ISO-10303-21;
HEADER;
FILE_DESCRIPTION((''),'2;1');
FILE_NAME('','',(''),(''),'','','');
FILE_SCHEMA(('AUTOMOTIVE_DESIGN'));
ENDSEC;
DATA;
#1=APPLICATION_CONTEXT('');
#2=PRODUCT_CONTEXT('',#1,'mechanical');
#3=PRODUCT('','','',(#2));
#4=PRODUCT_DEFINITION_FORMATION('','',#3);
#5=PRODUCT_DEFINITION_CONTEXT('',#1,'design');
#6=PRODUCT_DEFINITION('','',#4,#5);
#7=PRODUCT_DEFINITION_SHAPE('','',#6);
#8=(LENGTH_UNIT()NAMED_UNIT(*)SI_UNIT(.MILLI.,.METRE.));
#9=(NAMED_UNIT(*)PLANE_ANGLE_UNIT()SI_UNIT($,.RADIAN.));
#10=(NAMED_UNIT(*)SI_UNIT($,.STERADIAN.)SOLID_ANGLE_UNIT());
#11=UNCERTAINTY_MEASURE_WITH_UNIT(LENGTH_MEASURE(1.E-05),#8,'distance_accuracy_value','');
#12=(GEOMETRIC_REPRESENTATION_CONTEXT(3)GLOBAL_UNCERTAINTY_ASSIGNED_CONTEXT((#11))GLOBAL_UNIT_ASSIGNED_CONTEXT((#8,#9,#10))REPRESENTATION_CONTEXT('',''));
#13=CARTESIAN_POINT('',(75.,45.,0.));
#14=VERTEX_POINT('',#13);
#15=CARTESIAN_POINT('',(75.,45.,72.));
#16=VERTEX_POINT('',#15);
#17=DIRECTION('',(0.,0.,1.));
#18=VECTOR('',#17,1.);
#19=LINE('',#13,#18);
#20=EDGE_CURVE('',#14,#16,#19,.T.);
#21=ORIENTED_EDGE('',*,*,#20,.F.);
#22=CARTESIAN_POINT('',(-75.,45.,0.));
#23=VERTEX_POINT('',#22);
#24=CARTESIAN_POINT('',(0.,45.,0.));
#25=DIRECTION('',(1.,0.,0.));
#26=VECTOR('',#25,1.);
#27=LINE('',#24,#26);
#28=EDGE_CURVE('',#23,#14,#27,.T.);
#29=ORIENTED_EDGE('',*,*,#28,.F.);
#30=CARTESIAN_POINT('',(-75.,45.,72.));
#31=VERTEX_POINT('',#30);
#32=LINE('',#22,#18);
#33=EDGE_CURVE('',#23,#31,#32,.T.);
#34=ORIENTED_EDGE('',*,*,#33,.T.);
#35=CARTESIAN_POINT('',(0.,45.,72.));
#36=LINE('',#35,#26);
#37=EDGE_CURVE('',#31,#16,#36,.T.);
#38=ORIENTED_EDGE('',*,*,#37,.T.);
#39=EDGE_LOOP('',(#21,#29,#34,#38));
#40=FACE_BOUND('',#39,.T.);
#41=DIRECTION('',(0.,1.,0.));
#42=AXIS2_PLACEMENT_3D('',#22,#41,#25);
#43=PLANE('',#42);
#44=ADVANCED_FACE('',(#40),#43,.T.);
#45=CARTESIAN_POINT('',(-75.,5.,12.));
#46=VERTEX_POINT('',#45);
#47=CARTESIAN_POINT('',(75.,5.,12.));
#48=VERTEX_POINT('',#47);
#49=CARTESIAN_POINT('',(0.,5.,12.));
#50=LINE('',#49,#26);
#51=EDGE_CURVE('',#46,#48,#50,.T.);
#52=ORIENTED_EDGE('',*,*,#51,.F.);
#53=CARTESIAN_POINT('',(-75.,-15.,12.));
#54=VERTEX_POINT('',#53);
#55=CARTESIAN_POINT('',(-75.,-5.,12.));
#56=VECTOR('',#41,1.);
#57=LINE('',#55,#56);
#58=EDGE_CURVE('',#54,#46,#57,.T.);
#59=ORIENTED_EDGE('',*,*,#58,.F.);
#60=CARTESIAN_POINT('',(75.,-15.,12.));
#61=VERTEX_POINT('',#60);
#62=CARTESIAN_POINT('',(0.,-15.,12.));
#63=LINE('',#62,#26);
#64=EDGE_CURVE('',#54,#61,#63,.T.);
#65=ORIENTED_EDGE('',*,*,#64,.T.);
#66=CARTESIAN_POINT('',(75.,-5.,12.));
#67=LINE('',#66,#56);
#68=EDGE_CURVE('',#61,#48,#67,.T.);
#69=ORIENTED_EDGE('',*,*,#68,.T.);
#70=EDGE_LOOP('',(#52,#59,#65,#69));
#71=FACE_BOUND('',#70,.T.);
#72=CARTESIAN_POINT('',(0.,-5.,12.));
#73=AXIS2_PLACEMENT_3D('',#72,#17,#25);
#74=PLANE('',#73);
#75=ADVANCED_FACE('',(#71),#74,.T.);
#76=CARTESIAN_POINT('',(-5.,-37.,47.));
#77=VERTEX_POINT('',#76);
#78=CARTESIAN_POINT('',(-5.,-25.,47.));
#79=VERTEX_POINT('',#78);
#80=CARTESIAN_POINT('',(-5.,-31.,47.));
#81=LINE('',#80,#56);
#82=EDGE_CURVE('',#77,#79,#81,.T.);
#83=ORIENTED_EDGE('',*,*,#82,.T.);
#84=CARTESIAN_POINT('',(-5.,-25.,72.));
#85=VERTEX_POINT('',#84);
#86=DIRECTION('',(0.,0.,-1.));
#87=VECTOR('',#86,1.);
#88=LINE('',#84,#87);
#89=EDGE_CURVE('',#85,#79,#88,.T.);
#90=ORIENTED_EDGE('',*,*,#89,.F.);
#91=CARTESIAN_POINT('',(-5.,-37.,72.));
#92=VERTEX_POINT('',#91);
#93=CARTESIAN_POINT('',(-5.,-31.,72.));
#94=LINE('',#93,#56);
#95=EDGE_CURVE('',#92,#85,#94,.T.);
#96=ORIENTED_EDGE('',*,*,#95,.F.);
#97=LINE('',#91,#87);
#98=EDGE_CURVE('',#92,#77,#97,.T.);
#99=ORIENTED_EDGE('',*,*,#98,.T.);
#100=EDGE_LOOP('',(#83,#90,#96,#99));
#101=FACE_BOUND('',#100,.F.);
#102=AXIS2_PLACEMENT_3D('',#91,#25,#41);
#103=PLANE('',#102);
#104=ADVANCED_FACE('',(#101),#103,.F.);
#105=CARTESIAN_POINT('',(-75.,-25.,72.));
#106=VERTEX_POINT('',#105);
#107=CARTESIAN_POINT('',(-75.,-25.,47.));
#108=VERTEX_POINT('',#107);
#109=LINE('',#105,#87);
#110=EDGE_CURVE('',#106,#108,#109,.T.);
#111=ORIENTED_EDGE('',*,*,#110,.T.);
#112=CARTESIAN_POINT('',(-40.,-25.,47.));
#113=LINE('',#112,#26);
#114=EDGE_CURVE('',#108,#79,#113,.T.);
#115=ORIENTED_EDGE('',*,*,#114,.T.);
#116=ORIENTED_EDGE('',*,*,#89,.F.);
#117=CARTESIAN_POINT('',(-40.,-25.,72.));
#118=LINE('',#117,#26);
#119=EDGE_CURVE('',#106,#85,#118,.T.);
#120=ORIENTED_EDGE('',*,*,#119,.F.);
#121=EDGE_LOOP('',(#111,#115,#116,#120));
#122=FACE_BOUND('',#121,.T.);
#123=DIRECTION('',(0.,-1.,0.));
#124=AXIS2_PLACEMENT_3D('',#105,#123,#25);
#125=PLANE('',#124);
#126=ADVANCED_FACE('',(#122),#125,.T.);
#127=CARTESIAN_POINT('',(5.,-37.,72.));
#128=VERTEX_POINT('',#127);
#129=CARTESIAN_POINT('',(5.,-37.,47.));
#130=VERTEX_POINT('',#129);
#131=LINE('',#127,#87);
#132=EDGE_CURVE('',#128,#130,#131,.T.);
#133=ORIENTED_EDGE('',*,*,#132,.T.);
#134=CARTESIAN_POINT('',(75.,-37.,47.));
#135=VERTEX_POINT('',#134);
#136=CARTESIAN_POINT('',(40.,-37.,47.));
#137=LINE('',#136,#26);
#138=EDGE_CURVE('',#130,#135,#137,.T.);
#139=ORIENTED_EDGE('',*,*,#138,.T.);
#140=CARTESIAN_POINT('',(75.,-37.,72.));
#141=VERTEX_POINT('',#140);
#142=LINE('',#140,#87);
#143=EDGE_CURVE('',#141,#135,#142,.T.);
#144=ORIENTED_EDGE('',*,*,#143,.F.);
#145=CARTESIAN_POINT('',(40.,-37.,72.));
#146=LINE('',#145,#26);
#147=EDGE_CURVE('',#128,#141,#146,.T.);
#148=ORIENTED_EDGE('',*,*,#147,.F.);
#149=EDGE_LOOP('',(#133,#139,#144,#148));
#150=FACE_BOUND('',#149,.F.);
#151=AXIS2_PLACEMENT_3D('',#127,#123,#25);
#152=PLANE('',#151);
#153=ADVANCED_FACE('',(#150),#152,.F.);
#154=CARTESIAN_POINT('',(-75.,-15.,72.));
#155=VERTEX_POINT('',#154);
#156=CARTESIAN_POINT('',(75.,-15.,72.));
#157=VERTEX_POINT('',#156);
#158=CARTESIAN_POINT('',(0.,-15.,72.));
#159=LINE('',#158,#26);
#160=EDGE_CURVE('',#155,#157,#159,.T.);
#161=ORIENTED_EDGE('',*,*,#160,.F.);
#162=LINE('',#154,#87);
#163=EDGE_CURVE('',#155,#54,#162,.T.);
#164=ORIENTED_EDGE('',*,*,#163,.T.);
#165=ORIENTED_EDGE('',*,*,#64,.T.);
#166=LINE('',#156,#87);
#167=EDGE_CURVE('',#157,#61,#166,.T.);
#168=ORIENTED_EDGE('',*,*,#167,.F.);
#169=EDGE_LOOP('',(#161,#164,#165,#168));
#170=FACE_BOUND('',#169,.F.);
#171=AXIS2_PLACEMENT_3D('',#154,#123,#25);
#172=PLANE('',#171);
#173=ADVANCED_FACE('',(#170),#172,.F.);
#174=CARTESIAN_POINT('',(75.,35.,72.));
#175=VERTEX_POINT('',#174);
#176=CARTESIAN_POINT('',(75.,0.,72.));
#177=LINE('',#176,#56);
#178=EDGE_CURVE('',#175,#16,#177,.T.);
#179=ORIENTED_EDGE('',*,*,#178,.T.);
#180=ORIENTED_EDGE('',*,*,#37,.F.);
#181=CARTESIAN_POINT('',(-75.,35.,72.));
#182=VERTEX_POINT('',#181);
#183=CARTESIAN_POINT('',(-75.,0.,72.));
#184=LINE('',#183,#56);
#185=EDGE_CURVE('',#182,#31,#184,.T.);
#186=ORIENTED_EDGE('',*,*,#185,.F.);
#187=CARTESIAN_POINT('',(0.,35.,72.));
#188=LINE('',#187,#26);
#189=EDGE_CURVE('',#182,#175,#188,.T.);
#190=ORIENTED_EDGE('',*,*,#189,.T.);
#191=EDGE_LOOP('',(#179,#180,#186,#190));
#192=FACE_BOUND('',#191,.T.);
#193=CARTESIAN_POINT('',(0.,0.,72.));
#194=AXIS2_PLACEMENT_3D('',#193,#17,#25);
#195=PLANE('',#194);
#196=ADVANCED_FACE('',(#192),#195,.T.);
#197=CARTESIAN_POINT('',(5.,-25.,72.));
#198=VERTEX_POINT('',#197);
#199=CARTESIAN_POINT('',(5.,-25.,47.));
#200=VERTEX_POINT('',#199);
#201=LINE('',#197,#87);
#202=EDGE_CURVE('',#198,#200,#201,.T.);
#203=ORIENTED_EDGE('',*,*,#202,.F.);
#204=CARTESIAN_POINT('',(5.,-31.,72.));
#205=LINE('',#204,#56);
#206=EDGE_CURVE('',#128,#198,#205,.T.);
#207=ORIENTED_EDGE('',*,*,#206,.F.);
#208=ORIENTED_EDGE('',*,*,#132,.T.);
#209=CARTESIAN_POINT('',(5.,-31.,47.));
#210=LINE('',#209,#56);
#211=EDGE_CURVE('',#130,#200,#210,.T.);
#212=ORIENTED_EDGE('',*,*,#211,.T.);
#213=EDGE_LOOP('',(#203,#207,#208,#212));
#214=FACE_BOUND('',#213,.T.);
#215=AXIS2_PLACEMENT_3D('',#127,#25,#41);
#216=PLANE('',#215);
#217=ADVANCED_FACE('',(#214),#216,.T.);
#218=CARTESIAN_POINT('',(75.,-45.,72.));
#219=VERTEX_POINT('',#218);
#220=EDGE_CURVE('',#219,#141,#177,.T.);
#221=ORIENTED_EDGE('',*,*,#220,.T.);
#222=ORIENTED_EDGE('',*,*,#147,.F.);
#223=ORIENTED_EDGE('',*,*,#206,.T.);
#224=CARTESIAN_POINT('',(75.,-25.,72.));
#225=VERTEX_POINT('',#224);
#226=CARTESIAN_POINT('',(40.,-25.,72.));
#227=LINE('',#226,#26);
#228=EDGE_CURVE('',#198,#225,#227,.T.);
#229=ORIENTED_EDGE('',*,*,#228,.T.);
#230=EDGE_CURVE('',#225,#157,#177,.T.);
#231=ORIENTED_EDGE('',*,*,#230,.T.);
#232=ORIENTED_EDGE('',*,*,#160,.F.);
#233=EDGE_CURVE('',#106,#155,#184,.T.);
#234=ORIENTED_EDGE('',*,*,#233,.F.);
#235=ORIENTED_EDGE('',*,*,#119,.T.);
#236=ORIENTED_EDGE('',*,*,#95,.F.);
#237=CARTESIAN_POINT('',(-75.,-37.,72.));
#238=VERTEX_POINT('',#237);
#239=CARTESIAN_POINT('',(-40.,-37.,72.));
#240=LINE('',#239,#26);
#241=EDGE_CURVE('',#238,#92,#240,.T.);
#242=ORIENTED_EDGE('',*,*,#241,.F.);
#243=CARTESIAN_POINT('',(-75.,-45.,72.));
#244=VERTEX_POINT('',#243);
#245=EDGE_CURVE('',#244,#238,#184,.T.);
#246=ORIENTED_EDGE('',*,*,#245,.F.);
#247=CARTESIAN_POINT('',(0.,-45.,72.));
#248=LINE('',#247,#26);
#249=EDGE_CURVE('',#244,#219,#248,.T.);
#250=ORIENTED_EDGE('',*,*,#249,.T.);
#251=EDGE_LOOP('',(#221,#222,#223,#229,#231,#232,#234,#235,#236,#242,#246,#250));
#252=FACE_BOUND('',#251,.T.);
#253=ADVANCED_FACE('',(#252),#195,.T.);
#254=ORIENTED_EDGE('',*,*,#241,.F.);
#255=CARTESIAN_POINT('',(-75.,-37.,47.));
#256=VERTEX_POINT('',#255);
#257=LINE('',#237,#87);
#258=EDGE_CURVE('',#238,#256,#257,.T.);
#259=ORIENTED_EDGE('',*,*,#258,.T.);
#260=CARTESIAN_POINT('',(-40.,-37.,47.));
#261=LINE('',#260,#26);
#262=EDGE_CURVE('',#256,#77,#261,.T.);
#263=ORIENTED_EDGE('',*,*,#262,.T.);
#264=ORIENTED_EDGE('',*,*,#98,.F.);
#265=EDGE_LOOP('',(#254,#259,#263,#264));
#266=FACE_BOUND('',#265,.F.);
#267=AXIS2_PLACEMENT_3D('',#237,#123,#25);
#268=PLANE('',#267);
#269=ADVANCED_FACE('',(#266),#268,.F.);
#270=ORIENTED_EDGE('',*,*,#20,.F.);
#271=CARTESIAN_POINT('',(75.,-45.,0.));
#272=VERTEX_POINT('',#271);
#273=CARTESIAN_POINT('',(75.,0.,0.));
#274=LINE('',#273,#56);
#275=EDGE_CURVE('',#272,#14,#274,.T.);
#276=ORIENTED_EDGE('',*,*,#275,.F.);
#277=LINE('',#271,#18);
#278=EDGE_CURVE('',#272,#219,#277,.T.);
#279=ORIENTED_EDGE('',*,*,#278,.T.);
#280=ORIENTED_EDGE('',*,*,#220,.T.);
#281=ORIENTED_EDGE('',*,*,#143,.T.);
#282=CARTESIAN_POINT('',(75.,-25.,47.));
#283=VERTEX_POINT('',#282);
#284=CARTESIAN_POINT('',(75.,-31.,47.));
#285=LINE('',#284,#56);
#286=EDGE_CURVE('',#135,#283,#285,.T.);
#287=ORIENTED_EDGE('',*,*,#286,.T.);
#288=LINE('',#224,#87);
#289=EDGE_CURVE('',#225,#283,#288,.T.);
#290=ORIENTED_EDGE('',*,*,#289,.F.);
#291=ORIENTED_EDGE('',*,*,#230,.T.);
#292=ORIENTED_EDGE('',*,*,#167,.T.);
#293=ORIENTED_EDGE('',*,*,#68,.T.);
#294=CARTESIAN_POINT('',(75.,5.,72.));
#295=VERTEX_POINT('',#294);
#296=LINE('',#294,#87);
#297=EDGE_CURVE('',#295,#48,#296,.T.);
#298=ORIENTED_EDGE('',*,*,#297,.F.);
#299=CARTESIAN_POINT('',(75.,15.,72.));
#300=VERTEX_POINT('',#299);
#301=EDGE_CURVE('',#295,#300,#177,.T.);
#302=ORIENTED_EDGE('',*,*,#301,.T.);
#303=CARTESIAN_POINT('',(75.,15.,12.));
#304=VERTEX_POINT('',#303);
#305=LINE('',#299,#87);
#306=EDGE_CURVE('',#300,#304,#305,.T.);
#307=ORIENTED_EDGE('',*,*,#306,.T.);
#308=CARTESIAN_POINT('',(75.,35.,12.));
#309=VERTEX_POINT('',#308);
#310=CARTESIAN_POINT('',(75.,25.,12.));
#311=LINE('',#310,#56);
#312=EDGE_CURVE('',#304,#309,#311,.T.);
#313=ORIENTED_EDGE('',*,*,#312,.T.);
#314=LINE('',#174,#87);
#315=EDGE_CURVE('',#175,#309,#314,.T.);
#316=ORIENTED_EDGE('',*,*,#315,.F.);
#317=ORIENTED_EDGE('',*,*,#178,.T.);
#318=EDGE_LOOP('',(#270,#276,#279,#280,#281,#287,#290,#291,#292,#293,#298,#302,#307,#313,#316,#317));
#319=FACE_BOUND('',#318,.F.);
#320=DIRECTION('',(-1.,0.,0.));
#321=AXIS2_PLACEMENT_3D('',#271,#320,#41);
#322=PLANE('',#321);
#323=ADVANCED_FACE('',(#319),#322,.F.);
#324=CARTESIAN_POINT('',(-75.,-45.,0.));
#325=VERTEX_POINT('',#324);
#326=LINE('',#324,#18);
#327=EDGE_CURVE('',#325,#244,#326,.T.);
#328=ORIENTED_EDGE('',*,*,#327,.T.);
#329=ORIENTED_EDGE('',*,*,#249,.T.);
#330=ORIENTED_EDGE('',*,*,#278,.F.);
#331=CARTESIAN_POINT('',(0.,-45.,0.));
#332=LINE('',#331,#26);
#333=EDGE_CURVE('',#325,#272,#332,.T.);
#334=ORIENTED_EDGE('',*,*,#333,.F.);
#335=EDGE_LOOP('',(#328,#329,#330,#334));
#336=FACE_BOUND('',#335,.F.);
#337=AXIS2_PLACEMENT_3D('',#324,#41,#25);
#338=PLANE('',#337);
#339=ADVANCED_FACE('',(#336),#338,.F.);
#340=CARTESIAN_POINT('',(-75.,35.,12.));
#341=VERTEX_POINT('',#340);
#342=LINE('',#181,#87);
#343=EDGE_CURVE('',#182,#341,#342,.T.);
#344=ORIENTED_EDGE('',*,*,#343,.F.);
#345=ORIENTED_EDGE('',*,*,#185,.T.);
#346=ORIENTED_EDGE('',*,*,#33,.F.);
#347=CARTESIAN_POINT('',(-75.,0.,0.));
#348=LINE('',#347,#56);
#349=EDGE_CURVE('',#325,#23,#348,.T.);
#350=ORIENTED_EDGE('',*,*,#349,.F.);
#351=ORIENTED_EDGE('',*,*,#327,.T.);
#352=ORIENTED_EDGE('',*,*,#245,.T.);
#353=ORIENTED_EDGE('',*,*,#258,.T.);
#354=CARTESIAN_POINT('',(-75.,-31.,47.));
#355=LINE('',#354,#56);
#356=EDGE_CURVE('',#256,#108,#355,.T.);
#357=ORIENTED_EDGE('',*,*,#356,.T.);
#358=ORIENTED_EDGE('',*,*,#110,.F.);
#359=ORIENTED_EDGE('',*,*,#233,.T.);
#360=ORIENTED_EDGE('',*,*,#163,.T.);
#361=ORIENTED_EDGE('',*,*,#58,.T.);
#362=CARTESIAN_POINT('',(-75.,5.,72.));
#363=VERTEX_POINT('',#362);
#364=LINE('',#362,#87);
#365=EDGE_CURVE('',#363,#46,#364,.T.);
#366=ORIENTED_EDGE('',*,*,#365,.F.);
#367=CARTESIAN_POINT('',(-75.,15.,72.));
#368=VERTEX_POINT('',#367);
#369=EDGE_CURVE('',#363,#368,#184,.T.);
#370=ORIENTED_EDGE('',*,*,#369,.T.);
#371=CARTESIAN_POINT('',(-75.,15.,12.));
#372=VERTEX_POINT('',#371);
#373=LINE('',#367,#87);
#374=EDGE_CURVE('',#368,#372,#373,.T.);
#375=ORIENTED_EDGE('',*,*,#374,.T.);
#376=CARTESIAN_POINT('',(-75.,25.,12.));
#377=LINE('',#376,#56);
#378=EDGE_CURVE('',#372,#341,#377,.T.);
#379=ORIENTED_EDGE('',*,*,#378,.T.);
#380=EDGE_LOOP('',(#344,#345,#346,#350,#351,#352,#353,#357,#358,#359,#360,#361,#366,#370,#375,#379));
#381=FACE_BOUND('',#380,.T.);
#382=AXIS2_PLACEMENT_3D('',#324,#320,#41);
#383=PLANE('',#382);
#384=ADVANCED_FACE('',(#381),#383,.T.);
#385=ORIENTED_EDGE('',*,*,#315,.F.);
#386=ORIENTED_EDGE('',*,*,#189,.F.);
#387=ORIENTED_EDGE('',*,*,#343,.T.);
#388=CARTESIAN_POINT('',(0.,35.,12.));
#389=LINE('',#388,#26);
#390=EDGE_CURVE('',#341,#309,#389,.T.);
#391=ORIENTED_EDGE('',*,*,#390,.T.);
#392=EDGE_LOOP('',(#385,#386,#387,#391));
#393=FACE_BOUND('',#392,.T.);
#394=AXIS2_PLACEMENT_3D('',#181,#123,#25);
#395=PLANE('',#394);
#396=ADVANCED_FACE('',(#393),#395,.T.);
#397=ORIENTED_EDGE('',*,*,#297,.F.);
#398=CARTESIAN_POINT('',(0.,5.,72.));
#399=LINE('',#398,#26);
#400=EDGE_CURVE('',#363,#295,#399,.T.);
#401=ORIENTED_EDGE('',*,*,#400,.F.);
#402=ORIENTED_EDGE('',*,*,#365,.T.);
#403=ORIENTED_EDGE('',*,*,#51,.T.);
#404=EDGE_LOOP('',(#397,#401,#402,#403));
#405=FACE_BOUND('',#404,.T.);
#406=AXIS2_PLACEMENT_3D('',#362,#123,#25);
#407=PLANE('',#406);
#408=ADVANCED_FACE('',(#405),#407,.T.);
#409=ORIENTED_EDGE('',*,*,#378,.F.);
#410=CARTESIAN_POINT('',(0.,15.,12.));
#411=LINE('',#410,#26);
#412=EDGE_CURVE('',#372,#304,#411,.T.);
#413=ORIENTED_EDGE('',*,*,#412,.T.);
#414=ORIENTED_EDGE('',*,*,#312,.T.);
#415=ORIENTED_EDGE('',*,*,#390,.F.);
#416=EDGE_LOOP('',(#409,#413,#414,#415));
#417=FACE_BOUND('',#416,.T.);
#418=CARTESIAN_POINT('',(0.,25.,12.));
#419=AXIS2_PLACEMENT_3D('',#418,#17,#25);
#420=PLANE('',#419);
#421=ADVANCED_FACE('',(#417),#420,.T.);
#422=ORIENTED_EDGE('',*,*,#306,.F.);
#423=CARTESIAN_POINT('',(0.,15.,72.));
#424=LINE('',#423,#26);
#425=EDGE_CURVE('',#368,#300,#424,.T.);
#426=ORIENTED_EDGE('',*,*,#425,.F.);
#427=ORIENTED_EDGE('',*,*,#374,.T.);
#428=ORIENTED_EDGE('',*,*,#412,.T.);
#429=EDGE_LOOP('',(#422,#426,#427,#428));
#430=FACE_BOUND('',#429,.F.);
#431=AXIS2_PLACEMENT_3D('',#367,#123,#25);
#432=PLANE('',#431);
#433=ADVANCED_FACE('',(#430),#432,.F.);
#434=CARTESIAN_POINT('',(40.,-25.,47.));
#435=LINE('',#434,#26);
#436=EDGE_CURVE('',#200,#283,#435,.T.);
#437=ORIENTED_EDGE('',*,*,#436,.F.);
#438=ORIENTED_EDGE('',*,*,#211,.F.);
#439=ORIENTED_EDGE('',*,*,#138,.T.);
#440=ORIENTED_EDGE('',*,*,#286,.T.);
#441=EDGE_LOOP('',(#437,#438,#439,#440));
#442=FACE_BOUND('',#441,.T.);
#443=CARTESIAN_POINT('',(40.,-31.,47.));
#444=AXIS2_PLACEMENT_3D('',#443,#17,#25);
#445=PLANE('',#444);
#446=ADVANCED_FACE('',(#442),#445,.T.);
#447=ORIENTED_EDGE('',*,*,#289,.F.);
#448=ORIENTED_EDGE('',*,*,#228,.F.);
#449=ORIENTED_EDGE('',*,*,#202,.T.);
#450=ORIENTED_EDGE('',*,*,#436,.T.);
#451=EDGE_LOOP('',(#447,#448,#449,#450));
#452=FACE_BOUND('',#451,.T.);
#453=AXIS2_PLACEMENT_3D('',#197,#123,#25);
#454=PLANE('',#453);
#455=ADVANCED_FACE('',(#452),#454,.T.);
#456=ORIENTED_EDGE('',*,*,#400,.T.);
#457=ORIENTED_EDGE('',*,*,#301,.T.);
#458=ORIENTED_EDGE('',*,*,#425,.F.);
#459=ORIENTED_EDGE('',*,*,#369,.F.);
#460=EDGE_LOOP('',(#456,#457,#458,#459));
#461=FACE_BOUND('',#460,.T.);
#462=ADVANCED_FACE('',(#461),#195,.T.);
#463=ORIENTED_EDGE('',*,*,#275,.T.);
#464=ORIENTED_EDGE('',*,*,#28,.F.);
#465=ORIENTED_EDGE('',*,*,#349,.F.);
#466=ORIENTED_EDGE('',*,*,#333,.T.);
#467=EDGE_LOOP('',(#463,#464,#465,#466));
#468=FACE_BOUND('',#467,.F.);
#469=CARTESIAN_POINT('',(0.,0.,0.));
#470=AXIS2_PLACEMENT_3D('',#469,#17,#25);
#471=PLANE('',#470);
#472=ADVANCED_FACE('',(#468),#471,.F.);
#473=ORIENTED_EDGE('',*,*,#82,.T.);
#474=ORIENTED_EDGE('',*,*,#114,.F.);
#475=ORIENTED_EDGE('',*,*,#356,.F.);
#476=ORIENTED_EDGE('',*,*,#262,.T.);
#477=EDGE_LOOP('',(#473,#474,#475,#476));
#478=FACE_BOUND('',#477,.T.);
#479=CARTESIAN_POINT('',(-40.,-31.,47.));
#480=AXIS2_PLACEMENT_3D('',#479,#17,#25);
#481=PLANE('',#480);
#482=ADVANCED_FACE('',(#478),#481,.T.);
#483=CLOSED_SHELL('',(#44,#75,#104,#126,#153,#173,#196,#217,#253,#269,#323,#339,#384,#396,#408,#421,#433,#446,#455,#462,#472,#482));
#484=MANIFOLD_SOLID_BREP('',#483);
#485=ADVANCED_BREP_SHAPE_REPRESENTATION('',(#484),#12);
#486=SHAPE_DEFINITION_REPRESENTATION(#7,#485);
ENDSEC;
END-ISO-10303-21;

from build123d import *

# Parameters (mm, degrees)
F0_W     = 150
F0_H     = 90
F1_DEPTH = 72
F2_W     = 70
F2_H     = 12
F3_DEPTH = 25
F4_W     = 150
F4_H     = 20
F5_DEPTH = 60


with BuildPart() as f1:
    # F0 (on Top) → F1 (new body)
    with BuildSketch(Plane.XY):
        Rectangle(F0_W, F0_H)
    extrude(amount=F1_DEPTH)

    # F2 (on face) → F3 (cut)
    with BuildSketch(Plane.XY.offset(72)):
        with Locations((-40, -31)):
            Rectangle(F2_W, F2_H)
        with Locations((40, -31)):
            Rectangle(F2_W, F2_H)
    extrude(amount=-F3_DEPTH, mode=Mode.SUBTRACT)

    # F4 (on face) → F5 (cut)
    with BuildSketch(Plane.XY.offset(72)):
        with Locations((0, 25)):
            Rectangle(F4_W, F4_H)
        with Locations((0, -5)):
            Rectangle(F4_W, F4_H)
    extrude(amount=-F5_DEPTH, mode=Mode.SUBTRACT)


solid = f1.part
